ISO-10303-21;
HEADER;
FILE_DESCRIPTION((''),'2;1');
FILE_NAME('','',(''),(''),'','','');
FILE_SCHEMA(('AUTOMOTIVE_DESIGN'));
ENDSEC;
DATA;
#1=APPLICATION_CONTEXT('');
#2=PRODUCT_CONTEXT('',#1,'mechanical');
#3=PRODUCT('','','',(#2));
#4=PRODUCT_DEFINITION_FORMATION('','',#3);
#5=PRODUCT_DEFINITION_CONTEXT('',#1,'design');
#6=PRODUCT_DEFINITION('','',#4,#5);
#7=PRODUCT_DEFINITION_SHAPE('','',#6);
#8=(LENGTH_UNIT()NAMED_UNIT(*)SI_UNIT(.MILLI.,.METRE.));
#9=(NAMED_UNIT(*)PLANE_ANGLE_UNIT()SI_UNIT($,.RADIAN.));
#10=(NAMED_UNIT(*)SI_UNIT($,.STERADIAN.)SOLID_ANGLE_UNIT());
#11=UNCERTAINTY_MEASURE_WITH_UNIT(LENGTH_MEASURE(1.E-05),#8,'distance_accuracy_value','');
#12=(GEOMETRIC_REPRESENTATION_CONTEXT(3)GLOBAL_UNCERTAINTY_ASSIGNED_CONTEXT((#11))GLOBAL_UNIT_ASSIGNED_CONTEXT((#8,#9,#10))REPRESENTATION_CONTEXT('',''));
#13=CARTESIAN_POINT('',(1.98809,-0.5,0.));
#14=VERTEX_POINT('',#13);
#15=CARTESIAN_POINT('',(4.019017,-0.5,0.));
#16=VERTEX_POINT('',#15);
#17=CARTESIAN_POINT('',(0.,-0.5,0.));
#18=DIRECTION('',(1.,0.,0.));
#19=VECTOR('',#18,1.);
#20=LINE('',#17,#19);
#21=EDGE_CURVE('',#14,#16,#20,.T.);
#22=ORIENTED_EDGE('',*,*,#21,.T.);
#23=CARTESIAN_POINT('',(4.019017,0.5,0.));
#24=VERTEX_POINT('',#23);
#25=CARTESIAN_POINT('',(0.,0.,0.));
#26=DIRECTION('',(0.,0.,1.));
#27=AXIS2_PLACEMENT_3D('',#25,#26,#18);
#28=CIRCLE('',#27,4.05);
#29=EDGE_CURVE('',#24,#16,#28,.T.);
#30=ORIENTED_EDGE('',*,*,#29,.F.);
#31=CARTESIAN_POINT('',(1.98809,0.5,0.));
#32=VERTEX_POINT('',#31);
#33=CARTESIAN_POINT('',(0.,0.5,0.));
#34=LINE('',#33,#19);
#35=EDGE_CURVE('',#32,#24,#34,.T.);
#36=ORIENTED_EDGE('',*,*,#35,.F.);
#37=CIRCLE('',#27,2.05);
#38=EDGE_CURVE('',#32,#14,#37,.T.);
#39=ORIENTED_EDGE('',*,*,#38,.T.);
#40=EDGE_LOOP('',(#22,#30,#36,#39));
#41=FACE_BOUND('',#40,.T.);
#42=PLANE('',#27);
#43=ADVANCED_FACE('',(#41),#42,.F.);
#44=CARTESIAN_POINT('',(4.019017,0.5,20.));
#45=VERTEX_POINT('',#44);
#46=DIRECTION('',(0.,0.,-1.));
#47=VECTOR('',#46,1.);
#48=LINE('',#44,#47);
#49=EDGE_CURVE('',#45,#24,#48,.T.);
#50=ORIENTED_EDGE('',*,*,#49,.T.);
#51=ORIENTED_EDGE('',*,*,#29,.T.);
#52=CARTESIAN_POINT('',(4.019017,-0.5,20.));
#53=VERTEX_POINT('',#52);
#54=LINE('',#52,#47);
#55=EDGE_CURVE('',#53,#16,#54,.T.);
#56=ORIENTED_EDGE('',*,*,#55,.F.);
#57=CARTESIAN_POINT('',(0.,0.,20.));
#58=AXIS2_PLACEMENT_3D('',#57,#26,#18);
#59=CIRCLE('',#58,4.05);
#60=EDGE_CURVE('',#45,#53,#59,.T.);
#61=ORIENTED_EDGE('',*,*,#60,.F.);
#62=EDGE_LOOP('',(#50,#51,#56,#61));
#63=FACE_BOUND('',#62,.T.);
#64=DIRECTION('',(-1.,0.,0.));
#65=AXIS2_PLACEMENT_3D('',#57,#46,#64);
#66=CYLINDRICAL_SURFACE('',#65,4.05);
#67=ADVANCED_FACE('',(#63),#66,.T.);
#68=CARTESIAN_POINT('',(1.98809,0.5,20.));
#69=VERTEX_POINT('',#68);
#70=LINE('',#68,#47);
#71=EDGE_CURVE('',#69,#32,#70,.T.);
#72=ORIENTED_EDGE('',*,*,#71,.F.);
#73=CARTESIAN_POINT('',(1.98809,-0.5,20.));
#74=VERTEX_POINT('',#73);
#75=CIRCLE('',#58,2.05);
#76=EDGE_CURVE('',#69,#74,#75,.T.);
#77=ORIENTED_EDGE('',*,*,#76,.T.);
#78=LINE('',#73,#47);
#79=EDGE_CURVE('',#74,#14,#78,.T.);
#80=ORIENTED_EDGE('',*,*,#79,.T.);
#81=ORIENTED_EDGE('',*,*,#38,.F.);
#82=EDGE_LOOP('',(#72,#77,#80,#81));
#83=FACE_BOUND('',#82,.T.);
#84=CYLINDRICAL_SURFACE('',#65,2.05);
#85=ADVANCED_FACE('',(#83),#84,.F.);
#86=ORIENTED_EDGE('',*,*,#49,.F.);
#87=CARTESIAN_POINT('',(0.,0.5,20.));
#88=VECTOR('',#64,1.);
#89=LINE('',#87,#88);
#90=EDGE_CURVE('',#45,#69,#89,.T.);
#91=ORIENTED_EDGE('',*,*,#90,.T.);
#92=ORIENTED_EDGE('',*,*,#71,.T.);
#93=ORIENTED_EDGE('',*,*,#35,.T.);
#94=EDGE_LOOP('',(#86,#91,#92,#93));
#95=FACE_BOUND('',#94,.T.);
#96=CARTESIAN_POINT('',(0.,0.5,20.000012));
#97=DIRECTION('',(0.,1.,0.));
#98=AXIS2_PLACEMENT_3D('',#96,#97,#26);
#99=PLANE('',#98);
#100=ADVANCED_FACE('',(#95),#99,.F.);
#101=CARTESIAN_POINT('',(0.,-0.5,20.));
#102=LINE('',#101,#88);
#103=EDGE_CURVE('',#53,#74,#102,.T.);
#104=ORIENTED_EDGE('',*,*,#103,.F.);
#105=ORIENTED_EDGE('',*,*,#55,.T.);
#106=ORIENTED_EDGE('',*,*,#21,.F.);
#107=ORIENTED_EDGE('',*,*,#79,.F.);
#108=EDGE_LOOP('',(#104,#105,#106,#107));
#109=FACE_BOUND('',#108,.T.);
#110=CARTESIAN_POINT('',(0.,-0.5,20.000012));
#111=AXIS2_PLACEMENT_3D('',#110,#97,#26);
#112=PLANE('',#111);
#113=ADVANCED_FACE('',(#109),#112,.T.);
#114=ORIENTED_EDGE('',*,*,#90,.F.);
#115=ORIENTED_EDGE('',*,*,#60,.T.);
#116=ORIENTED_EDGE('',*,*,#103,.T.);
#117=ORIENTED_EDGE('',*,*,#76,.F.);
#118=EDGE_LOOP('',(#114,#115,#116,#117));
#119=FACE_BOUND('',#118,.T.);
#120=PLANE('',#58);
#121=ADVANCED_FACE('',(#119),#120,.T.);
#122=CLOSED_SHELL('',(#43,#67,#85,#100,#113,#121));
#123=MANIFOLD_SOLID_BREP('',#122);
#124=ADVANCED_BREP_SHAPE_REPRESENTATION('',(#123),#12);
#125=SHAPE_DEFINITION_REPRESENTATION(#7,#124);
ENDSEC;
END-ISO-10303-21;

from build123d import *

# Parameters (mm, degrees)
SKETCH1_R                    = 4.05
SKETCH1_R_2                  = 2.05
BOSS_EXTRUDE1_DEPTH          = 20
CUT_EXTRUDE_THIN1_DEPTH      = 21.803965968
CUT_EXTRUDE_THIN1_DEPTH_BACK = 20
SKETCH2_W                    = 7.74426014
SKETCH2_H                    = 1


with BuildPart() as part:
    # Sketch1 → Boss-Extrude1 (new body)
    with BuildSketch(Plane.XY):
        Circle(SKETCH1_R)
        Circle(SKETCH1_R_2, mode=Mode.SUBTRACT)
    extrude(amount=BOSS_EXTRUDE1_DEPTH)

    # Sketch2 → Cut-Extrude-Thin1 (cut, two sides: drawn at the far end of the back side and taken through both)
    with BuildSketch(Plane.XY.offset(20).offset(-CUT_EXTRUDE_THIN1_DEPTH_BACK)):
        with Locations((3.87213007, 0)):
            Rectangle(SKETCH2_W, SKETCH2_H)
    extrude(amount=CUT_EXTRUDE_THIN1_DEPTH + CUT_EXTRUDE_THIN1_DEPTH_BACK, mode=Mode.SUBTRACT)


solid = part.part
